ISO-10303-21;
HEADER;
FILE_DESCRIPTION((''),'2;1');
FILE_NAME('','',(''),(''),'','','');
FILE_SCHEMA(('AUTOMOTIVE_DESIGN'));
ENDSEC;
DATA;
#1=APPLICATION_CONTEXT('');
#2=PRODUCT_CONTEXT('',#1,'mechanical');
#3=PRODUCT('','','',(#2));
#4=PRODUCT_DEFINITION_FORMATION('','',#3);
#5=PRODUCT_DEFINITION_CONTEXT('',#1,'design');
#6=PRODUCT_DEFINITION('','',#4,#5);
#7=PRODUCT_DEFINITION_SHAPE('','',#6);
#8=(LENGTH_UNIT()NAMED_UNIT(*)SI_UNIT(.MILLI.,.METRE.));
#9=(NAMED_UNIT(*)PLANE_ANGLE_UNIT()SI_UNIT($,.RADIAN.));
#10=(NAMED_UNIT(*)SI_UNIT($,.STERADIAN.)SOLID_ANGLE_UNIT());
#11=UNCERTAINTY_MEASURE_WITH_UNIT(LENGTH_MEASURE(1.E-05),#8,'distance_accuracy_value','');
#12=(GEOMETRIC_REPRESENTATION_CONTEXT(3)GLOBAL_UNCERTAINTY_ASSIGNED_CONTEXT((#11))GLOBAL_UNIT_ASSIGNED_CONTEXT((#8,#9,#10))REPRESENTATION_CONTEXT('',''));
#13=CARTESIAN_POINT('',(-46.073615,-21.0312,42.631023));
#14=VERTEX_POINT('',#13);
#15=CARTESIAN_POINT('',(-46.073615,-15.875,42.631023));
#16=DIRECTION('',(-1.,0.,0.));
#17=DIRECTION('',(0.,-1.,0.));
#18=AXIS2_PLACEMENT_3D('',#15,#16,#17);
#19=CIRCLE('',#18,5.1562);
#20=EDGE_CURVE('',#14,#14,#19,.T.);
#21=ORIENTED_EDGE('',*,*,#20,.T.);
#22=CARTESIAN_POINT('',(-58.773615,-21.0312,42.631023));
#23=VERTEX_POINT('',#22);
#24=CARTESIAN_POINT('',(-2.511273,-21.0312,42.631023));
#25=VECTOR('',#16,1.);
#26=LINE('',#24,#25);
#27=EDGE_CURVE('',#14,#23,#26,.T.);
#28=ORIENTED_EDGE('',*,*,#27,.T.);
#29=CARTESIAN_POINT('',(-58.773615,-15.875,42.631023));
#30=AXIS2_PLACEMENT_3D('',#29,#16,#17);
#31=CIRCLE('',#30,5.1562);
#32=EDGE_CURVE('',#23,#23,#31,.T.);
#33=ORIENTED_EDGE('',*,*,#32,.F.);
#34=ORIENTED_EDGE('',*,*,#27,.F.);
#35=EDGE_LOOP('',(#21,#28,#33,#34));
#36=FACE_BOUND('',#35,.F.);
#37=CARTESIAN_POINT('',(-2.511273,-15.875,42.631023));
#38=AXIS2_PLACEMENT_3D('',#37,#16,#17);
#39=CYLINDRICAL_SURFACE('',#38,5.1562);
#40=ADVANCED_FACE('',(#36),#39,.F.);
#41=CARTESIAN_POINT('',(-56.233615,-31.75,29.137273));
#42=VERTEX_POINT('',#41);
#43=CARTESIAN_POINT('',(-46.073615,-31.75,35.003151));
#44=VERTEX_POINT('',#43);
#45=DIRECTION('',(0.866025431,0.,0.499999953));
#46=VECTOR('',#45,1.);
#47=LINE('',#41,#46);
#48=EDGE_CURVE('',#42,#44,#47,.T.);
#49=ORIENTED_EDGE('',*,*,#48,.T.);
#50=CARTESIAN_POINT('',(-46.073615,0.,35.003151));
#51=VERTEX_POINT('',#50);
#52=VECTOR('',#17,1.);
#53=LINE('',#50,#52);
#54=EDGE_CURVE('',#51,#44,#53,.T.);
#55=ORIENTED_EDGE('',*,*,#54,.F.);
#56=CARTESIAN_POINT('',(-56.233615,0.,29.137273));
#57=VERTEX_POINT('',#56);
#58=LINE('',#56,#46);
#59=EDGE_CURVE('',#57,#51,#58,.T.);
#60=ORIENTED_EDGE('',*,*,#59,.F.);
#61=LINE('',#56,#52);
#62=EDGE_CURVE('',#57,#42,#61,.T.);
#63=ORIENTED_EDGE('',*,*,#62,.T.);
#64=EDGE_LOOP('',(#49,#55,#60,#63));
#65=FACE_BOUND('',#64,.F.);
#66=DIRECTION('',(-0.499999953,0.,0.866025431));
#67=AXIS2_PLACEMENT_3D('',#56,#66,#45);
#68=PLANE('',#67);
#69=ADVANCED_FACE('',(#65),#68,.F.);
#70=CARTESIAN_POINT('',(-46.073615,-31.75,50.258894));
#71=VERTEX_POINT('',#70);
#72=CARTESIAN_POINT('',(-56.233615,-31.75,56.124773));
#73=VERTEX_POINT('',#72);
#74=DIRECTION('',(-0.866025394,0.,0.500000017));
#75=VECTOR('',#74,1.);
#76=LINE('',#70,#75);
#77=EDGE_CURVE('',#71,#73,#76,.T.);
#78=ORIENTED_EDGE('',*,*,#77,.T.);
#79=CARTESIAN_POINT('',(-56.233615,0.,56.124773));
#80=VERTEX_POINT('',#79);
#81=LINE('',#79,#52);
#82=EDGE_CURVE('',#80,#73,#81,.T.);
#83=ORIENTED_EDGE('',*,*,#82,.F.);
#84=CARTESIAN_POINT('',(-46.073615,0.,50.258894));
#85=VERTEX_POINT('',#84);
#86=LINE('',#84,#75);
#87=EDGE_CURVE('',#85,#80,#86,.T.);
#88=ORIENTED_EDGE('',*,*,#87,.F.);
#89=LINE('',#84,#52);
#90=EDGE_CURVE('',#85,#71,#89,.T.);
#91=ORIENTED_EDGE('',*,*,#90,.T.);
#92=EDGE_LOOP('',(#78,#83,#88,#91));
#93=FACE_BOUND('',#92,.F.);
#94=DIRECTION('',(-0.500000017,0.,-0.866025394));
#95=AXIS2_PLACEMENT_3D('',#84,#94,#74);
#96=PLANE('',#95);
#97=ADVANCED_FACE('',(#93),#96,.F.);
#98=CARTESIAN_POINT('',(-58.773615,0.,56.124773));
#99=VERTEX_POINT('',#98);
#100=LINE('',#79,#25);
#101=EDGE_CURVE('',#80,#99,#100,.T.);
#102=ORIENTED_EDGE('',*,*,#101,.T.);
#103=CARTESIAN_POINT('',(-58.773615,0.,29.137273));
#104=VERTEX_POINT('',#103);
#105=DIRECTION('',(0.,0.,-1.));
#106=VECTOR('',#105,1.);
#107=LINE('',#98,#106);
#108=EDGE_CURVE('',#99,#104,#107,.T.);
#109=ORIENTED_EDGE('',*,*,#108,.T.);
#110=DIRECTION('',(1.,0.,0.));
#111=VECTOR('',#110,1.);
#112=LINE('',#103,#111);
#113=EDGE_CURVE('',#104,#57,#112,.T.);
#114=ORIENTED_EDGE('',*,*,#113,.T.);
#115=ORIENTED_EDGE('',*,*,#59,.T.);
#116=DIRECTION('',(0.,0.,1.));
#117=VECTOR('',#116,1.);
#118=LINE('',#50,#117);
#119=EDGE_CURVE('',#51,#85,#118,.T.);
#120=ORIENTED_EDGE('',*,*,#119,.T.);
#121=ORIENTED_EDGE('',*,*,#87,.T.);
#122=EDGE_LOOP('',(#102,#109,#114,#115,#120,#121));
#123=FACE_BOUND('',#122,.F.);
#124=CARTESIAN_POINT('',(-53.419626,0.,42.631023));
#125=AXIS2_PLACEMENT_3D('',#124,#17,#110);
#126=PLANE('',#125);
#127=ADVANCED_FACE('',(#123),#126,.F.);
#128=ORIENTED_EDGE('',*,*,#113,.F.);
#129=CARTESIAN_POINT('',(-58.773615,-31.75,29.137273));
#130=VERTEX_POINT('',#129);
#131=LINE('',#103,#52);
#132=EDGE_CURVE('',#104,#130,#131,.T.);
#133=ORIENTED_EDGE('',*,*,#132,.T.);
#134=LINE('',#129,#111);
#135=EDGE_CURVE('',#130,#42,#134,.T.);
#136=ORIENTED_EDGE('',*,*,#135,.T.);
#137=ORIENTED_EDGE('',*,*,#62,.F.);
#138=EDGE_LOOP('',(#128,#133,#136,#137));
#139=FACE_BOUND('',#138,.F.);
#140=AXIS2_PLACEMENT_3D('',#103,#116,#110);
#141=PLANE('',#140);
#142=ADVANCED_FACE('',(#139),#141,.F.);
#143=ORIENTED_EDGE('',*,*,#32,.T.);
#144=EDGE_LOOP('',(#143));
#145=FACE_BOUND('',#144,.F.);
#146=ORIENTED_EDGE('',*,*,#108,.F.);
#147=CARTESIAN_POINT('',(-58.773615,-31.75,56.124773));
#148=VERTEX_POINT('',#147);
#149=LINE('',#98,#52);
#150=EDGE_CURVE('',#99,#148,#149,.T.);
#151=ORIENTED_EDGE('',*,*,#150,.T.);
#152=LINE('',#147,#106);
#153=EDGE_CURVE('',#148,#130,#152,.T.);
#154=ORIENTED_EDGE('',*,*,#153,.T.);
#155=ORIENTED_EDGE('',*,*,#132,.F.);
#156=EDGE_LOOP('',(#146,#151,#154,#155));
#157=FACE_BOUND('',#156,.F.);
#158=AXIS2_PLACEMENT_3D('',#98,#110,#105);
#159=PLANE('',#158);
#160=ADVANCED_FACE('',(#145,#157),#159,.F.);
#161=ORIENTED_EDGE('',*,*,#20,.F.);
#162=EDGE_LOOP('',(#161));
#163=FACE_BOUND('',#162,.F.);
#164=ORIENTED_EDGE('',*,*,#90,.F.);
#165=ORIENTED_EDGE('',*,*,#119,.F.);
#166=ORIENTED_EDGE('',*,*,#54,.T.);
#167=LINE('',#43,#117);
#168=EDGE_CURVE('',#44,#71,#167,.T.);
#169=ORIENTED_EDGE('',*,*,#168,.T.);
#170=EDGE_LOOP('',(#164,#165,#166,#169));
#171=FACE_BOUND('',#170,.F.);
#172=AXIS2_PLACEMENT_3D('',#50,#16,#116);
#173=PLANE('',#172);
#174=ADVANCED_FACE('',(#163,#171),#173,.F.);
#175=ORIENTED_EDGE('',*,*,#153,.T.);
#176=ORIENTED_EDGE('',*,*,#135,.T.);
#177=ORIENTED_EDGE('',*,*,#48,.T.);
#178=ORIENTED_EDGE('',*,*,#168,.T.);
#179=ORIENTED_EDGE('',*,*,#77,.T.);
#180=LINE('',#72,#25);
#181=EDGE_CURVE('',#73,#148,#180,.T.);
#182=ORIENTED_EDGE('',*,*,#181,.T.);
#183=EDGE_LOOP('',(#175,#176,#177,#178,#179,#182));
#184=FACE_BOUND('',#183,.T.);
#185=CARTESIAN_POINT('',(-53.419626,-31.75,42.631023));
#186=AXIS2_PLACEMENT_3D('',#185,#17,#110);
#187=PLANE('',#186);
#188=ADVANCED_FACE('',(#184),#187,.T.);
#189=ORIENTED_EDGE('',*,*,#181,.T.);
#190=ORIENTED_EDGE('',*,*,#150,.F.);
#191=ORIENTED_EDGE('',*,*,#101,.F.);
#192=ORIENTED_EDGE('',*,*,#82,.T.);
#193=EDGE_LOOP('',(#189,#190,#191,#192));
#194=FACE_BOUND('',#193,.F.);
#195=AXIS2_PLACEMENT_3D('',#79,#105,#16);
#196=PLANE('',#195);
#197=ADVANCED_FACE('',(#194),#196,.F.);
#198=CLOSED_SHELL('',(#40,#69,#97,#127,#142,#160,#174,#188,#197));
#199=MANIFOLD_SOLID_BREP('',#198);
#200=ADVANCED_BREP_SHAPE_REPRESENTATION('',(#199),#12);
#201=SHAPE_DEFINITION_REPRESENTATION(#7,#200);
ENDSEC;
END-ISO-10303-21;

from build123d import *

# Parameters (mm, degrees)
F1_DEPTH = 31.75
F3_D     = 10.3124


with BuildPart() as f1:
    # F0 (on Front) → F1 (new body)
    with BuildSketch(Plane.XZ):
        Polygon((-56.233615, 56.124773), (-58.773615, 56.124773), (-58.773615, 29.137273), (-56.233615, 29.137273), (-46.073615, 35.003151), (-46.073615, 50.258894), align=None)
    extrude(amount=F1_DEPTH)

    # F3 (through all)
    with Locations(Plane.YZ.offset(-46.073615)):
        with Locations((-15.875, 42.631023)):
            Hole(F3_D / 2)


solid = f1.part
